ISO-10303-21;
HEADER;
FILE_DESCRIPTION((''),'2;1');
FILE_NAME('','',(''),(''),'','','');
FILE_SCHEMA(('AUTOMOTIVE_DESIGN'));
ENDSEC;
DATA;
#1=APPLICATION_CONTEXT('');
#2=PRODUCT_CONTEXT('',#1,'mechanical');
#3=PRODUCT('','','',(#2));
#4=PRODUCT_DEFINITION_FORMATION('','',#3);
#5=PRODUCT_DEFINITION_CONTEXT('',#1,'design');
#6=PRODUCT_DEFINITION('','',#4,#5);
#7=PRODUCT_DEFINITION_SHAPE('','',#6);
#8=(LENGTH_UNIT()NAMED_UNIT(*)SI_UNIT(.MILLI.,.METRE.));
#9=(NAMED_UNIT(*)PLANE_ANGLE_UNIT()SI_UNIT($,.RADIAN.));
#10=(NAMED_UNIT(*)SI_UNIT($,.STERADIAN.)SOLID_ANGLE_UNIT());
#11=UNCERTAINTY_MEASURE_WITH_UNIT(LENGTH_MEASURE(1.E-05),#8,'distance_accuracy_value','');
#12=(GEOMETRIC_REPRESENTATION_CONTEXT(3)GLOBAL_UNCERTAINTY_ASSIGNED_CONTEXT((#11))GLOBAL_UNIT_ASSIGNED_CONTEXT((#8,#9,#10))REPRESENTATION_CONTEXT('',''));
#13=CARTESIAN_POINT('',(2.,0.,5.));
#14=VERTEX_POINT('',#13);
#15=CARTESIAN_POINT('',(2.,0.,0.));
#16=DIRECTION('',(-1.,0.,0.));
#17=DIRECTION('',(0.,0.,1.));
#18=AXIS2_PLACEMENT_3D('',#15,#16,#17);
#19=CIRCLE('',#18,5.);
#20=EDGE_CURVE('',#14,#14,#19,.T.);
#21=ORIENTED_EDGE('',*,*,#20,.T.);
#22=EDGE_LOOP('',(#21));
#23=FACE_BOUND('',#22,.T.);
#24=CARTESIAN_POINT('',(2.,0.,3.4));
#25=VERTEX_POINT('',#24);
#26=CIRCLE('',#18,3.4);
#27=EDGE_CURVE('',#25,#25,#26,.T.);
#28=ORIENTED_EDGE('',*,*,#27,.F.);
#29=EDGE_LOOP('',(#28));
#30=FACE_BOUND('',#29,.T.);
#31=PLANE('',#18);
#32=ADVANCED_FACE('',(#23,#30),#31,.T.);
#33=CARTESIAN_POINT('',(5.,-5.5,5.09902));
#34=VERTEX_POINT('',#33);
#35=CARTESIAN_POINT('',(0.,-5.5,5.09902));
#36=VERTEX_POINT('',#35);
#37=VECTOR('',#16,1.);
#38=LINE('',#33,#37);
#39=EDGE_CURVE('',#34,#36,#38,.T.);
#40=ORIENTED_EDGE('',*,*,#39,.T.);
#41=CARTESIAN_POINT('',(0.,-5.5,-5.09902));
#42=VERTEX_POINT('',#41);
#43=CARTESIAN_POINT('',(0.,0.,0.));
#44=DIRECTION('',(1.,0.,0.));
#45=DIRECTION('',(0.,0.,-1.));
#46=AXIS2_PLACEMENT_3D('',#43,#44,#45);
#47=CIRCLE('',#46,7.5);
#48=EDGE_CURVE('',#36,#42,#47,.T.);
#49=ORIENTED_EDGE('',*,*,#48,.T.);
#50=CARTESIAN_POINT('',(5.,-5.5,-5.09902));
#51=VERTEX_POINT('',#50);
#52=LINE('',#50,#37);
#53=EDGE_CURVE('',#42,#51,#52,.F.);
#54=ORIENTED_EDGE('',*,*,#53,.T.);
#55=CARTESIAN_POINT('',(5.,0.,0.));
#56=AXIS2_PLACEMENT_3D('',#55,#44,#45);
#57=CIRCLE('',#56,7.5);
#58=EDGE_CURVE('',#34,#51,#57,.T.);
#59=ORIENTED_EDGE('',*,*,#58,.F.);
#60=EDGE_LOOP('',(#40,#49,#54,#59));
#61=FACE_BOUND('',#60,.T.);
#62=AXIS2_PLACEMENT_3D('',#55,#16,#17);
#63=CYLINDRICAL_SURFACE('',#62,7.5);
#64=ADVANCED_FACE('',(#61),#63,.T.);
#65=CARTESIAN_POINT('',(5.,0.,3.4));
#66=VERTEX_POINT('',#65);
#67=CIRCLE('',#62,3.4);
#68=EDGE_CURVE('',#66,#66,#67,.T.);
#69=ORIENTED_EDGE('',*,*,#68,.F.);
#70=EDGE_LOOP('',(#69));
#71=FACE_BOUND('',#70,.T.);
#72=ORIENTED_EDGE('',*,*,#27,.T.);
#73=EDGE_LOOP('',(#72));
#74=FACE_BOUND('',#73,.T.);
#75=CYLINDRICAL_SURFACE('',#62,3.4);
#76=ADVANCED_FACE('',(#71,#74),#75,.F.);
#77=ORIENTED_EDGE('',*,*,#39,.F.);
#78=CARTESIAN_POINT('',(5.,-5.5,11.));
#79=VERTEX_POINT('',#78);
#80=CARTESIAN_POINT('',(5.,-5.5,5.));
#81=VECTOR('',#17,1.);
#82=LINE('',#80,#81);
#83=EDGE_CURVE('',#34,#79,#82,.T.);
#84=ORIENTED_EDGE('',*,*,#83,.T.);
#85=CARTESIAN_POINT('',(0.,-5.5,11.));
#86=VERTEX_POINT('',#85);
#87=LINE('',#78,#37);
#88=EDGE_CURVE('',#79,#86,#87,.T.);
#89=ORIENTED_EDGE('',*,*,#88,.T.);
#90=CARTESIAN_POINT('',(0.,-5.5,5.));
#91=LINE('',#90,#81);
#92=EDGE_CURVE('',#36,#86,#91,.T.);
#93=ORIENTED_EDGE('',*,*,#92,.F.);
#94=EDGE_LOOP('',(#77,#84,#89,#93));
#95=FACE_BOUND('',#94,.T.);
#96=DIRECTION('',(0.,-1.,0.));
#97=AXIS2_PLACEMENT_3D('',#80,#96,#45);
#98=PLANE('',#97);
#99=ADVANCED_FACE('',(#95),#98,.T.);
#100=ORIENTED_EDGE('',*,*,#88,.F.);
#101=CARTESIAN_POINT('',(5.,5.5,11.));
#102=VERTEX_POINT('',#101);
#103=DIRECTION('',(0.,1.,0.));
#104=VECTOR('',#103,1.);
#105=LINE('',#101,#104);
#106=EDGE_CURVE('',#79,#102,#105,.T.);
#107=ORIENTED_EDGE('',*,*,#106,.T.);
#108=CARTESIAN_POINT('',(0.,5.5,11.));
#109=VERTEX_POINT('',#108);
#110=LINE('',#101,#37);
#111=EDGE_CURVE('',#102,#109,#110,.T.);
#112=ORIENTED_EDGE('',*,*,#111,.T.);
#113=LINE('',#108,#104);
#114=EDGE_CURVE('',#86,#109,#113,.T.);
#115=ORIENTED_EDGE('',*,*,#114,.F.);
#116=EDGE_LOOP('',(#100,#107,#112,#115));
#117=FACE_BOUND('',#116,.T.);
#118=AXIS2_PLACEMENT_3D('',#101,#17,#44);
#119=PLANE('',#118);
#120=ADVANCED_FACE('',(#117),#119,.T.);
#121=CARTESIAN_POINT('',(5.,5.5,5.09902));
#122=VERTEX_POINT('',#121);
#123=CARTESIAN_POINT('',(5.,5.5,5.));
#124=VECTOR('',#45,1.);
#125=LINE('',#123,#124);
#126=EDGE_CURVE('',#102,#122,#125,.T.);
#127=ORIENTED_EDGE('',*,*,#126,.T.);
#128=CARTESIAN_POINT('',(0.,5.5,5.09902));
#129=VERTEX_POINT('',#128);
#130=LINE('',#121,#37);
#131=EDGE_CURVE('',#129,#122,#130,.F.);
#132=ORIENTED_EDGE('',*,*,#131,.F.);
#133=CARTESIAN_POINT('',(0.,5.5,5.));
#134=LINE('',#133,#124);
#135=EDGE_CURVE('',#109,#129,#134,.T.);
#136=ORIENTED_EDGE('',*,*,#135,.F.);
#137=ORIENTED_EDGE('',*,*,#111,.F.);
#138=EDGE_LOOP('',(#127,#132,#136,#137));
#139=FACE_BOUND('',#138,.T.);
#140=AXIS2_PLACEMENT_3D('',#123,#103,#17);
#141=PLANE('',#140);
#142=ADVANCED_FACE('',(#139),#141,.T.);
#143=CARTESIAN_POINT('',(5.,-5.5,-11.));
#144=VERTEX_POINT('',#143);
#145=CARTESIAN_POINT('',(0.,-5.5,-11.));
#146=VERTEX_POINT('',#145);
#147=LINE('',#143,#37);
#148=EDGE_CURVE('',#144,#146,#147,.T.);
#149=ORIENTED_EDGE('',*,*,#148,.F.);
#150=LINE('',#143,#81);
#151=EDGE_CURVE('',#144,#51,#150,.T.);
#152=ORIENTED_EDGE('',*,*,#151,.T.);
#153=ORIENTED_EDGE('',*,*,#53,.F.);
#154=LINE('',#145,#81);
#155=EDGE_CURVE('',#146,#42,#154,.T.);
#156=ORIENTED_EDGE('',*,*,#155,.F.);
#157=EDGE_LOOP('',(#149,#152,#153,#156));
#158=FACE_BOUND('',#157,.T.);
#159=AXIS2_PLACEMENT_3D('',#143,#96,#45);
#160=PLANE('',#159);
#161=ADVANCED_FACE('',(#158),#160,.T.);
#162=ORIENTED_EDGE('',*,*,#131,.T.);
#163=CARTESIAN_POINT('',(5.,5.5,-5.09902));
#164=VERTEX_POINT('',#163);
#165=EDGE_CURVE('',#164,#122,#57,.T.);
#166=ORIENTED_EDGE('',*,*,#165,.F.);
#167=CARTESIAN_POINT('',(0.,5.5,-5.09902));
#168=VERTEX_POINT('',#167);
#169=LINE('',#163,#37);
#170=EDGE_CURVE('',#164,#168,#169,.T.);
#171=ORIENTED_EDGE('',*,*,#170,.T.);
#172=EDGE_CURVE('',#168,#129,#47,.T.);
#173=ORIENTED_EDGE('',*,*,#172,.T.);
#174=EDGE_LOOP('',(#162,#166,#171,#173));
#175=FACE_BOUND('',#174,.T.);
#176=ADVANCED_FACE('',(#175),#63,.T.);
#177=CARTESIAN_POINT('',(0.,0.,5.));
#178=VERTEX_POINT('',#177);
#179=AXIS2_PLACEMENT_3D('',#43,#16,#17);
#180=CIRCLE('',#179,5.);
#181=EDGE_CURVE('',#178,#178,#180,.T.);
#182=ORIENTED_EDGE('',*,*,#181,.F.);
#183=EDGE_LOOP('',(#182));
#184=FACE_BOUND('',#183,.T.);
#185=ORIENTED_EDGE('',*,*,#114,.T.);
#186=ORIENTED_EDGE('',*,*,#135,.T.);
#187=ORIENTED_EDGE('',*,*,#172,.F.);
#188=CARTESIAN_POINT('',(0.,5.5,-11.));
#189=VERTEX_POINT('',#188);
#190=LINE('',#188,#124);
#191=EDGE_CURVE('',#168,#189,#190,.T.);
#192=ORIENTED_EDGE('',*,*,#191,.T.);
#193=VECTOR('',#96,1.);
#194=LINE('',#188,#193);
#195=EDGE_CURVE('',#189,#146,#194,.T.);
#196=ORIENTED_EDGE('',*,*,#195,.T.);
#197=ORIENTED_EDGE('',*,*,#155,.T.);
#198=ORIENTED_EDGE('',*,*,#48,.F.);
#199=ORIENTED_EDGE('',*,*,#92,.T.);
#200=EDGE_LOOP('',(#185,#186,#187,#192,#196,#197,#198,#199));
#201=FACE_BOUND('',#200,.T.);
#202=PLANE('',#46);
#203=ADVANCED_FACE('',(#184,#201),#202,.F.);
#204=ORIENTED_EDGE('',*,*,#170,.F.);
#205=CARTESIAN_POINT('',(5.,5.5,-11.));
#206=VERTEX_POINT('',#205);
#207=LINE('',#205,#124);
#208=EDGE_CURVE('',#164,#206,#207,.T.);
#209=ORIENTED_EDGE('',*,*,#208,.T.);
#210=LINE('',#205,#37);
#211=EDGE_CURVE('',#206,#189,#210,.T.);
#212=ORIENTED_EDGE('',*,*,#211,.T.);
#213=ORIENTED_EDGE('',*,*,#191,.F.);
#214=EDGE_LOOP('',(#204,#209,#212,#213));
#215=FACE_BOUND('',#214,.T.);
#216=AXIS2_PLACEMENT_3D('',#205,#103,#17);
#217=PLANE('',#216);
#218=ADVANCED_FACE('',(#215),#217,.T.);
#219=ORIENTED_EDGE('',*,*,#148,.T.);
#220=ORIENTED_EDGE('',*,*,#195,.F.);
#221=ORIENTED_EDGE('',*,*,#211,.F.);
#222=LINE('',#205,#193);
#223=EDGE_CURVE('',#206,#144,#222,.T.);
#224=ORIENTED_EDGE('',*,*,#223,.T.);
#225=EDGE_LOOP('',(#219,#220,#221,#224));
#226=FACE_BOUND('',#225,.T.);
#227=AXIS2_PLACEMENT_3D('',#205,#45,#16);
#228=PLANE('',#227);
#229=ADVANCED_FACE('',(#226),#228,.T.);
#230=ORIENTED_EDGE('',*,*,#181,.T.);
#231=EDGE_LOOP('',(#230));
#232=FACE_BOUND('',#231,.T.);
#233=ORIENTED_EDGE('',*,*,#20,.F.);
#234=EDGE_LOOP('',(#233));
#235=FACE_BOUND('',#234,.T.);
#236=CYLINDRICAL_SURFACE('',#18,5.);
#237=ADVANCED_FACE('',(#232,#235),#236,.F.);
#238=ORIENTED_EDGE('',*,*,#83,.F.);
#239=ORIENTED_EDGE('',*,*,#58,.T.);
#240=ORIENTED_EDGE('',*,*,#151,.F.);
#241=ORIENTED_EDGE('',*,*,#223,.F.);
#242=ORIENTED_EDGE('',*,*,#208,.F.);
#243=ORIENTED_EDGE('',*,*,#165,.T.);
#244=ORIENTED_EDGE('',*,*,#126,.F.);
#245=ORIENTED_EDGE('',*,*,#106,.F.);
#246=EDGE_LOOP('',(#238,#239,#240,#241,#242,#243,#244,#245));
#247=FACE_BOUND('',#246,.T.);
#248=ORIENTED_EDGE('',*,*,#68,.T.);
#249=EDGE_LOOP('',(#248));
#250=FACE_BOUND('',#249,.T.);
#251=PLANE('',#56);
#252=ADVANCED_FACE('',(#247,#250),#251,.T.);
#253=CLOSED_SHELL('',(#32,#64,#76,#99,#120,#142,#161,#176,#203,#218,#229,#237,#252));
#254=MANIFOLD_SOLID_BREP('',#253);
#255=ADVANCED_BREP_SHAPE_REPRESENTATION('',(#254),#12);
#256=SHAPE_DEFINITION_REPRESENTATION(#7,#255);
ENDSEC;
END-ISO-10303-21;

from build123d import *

# Parameters (mm, degrees)
SKETCH_1_R          = 7.5
EXTRUDE_1_DEPTH     = 5
SKETCH_2_R          = 5
CUT_EXTRUDE_1_DEPTH = 2
SKETCH_3_R          = 3.4
CUT_EXTRUDE_2_DEPTH = 12.022703843
SKETCH_4_W          = 6
SKETCH_4_H          = 11
EXTRUDE_2_DEPTH     = 5


with BuildPart() as part:
    # 草图1 → 凸台-拉伸1 (new body)
    with BuildSketch(Plane(origin=(0, 0, 0), x_dir=(0, 0, -1), z_dir=(1, 0, 0))):
        Circle(SKETCH_1_R)
    extrude(amount=EXTRUDE_1_DEPTH)

    # 草图2 → 切除-拉伸1 (cut)
    with BuildSketch(Plane.ZY):
        Circle(SKETCH_2_R)
    extrude(amount=-CUT_EXTRUDE_1_DEPTH, mode=Mode.SUBTRACT)

    # 草图3 → 切除-拉伸2 (cut, through all)
    with BuildSketch(Plane.ZY.offset(-2)):
        Circle(SKETCH_3_R)
    extrude(amount=-CUT_EXTRUDE_2_DEPTH, mode=Mode.SUBTRACT)

    # 草图4 → 凸台-拉伸2 (add)
    with BuildSketch(Plane.ZY):
        with Locations((8, 0)):
            Rectangle(SKETCH_4_W, SKETCH_4_H)
        with Locations((-8, 0)):
            Rectangle(SKETCH_4_W, SKETCH_4_H)
    extrude(amount=-EXTRUDE_2_DEPTH)


solid = part.part
